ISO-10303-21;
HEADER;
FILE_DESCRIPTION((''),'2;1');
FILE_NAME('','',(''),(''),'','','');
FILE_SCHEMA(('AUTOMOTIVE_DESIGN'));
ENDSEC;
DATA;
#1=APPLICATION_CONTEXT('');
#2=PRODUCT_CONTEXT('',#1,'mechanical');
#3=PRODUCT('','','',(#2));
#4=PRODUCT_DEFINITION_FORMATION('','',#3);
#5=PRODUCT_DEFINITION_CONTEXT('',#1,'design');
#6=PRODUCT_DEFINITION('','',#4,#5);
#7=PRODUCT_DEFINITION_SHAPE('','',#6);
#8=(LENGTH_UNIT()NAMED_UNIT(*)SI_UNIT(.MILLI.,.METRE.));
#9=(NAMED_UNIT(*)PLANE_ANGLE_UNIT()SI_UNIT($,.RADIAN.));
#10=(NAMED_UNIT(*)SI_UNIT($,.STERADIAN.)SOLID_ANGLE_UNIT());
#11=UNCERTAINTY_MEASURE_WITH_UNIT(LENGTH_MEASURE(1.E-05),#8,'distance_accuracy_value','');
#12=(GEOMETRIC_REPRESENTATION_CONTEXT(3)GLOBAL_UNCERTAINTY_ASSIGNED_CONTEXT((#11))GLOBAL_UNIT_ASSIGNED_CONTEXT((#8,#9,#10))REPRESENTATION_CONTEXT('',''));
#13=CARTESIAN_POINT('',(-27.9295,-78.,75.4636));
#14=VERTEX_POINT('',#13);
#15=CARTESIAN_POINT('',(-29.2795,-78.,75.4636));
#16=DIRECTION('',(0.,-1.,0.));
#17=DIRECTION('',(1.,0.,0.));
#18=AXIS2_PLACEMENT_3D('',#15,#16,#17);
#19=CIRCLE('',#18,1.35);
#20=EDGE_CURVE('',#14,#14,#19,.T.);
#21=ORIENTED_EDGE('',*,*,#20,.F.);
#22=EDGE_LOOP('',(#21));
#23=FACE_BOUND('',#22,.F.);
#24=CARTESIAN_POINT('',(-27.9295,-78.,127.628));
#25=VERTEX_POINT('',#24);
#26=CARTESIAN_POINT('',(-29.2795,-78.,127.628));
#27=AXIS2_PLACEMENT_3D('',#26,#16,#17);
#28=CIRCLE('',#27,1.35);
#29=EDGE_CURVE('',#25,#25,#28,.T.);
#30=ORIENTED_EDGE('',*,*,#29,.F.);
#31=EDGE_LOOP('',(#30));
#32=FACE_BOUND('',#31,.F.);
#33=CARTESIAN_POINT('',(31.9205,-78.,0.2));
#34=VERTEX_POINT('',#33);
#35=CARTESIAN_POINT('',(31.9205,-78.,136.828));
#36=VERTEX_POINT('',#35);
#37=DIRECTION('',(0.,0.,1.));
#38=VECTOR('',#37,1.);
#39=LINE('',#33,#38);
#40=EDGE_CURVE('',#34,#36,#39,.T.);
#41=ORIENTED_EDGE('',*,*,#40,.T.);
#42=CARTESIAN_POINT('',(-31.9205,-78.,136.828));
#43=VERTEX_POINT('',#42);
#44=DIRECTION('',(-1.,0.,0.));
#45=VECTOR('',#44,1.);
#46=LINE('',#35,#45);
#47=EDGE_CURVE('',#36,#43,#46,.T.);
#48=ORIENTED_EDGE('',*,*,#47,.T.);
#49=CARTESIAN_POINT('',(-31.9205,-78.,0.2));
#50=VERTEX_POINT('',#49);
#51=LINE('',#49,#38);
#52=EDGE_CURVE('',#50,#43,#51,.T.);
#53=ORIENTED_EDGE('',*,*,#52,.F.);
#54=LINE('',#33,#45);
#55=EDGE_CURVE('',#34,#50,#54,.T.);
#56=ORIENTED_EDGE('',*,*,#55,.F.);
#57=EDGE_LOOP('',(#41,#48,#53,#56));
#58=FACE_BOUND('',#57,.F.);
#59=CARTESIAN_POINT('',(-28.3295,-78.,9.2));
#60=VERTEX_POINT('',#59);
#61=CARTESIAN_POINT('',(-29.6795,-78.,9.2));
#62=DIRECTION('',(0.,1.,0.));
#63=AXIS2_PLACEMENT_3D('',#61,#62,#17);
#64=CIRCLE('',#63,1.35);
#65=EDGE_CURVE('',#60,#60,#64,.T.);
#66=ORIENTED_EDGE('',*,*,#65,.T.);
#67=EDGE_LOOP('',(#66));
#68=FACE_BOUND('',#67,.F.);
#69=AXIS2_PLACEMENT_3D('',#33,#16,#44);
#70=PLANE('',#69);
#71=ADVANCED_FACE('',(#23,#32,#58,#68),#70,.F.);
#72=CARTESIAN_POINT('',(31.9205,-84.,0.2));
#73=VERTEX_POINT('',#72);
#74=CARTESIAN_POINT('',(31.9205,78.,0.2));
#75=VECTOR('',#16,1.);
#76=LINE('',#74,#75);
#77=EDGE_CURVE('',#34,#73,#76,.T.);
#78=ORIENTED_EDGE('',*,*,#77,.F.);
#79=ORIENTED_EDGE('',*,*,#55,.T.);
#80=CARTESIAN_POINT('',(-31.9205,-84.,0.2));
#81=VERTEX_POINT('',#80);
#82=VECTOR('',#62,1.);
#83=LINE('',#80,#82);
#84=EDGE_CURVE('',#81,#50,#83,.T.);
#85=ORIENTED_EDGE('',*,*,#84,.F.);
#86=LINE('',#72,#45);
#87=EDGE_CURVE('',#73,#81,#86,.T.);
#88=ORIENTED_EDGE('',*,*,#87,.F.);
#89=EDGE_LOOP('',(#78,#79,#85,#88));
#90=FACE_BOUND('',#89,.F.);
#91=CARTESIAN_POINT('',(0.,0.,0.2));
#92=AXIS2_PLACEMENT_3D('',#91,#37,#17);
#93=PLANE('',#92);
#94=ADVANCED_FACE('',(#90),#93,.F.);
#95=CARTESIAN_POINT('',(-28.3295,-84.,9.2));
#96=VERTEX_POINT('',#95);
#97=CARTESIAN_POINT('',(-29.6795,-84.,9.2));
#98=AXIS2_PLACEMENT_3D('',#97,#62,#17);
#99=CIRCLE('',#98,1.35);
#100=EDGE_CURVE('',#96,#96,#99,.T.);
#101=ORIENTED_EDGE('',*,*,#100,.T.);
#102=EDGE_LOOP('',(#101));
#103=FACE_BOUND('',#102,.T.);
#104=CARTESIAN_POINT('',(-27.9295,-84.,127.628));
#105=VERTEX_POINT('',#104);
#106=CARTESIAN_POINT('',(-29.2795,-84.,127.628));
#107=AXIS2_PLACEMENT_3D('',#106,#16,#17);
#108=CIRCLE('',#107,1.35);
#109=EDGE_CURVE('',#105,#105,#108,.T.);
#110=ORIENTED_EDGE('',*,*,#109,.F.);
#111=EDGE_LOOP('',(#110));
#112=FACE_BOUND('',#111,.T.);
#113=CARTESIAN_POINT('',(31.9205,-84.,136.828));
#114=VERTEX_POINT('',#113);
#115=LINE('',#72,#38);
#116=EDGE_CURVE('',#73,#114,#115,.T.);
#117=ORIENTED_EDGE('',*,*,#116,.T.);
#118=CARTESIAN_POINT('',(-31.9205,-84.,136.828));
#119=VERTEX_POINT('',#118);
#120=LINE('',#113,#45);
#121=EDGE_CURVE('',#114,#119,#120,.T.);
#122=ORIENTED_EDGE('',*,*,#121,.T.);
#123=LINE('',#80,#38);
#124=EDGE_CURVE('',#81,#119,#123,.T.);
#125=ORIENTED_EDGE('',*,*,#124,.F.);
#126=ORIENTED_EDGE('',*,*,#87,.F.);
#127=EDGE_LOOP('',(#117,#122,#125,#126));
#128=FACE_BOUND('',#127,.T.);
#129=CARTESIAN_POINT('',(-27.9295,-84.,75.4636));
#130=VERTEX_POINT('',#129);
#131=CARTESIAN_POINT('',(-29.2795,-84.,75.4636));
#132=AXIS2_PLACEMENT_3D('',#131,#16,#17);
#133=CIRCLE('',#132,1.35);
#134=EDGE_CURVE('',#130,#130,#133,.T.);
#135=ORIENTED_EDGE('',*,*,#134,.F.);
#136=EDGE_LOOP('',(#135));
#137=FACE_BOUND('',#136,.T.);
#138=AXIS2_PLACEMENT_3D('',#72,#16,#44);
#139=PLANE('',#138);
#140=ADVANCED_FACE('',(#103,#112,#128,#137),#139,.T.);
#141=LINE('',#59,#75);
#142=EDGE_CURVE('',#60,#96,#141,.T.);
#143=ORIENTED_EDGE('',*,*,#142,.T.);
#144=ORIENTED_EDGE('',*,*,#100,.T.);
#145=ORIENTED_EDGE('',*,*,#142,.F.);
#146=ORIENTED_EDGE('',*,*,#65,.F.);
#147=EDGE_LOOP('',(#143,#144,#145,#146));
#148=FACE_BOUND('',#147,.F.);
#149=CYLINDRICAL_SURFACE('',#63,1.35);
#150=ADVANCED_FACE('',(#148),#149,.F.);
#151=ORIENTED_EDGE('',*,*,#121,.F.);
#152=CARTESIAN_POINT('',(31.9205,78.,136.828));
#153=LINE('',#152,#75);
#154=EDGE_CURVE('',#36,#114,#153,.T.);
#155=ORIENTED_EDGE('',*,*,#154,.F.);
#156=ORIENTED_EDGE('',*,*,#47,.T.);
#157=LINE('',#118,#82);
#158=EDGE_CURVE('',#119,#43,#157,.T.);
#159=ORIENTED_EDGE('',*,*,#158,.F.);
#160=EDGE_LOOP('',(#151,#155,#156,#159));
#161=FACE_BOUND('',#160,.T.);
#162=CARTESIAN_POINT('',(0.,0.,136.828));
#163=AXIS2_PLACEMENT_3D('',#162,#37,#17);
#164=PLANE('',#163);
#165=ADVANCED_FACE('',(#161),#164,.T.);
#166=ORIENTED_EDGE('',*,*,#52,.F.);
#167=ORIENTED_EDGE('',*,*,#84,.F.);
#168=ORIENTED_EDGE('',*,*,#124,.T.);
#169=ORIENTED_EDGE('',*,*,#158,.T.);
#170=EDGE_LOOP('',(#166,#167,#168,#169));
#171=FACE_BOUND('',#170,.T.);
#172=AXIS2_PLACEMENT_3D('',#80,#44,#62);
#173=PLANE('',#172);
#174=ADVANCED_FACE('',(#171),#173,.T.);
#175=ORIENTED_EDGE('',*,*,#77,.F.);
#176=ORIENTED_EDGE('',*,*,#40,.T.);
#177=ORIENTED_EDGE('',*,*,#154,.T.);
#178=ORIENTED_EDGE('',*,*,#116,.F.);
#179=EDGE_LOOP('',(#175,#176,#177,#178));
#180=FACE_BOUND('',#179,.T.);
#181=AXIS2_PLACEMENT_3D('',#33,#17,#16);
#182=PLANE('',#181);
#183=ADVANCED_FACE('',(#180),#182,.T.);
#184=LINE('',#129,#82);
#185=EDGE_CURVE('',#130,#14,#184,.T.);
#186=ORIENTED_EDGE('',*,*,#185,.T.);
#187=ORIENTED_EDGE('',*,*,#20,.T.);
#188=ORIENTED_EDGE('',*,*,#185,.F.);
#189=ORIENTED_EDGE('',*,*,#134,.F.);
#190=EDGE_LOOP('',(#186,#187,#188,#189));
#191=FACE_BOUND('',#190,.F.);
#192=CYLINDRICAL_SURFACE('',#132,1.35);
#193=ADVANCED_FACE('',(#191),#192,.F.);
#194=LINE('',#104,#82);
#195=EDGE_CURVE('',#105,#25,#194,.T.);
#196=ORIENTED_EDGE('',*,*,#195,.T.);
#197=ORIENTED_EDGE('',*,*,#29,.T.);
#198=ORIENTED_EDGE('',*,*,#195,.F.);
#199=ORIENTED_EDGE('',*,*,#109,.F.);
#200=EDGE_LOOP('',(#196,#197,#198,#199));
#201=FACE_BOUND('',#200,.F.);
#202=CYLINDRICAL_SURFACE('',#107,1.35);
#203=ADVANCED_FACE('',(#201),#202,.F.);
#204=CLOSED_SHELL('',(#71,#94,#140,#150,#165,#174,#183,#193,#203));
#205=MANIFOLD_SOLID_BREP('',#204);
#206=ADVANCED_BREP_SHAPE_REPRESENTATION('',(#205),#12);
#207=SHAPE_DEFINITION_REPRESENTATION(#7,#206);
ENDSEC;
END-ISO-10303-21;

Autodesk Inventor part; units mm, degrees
ref_plane "YZ Plane" through (0, 0, 0) normal (1, 0, 0) x (0, 1, 0)
ref_plane "XZ Plane" through (0, 0, 0) normal (0, 1, 0) x (-1, 0, 0)
ref_plane "XY Plane" through (0, 0, 0) normal (0, 0, 1) x (1, 0, 0)
sketch "스케치1" plane through (0, 0, 0.2) normal (0, 0, 1) x (1, 0, 0)
  circle A0 centre (-22.9203, -41.3997) radius 1.35 projected
  circle A1 centre (-22.9203, 35.0003) radius 1.35 projected
  line L0 (-31.9205, -84) -> (-31.9205, 78) projected
  line L1 (31.9205, -84) -> (-31.9205, -84) projected
  line L2 (31.9205, 78) -> (31.9205, -84) projected
  line L3 (-31.9205, 78) -> (31.9205, 78) projected
  circle A2 centre (-22.9203, -75) radius 1.45 projected
  circle A3 centre (-22.9203, 69) radius 1.45 projected
  line L4 (-31.9205, -84) -> (31.9205, -84)
  line L5 (31.9205, -84) -> (31.9205, -78)
  line L6 (31.9205, -78) -> (-31.9205, -78)
  line L7 (-31.9205, -78) -> (-31.9205, -84)
  point P0 (0, 0)
  point P1 (-31.9205, -78)
extrude "돌출1" add sketch "스케치1" along normal blind 136.628 contours L0 L6 L2 L1
sketch "스케치4" plane through (-31.9205, -84, 0.2) normal (0, -1, 0) x (1, 0, 0)
  circle A0 centre (2.641, 9) radius 1.35 projected
  circle A1 centre (2.641, 75.2636) radius 1.35 projected
  point P0 (31.9205, -0.2)
extrude "돌출4" cut sketch "스케치4" against normal through all contours A1
sketch "스케치5" plane through (-31.9205, -84, 0.2) normal (0, -1, 0) x (1, 0, 0)
  circle A0 centre (2.641, 127.428) radius 1.35 projected
  point P0 (31.9205, -0.2)
extrude "돌출5" cut sketch "스케치5" against normal up to next
sketch "스케치6" plane through (-31.9205, -78, 0.2) normal (0, 1, 0) x (1, 0, 0)
  circle A0 centre (2.241, -9) radius 1.35 projected
  point P0 (31.9205, 0.2)
extrude "돌출6" cut sketch "스케치6" against normal up to next
properties part number "부품82" material "PMMA 플라스틱"
